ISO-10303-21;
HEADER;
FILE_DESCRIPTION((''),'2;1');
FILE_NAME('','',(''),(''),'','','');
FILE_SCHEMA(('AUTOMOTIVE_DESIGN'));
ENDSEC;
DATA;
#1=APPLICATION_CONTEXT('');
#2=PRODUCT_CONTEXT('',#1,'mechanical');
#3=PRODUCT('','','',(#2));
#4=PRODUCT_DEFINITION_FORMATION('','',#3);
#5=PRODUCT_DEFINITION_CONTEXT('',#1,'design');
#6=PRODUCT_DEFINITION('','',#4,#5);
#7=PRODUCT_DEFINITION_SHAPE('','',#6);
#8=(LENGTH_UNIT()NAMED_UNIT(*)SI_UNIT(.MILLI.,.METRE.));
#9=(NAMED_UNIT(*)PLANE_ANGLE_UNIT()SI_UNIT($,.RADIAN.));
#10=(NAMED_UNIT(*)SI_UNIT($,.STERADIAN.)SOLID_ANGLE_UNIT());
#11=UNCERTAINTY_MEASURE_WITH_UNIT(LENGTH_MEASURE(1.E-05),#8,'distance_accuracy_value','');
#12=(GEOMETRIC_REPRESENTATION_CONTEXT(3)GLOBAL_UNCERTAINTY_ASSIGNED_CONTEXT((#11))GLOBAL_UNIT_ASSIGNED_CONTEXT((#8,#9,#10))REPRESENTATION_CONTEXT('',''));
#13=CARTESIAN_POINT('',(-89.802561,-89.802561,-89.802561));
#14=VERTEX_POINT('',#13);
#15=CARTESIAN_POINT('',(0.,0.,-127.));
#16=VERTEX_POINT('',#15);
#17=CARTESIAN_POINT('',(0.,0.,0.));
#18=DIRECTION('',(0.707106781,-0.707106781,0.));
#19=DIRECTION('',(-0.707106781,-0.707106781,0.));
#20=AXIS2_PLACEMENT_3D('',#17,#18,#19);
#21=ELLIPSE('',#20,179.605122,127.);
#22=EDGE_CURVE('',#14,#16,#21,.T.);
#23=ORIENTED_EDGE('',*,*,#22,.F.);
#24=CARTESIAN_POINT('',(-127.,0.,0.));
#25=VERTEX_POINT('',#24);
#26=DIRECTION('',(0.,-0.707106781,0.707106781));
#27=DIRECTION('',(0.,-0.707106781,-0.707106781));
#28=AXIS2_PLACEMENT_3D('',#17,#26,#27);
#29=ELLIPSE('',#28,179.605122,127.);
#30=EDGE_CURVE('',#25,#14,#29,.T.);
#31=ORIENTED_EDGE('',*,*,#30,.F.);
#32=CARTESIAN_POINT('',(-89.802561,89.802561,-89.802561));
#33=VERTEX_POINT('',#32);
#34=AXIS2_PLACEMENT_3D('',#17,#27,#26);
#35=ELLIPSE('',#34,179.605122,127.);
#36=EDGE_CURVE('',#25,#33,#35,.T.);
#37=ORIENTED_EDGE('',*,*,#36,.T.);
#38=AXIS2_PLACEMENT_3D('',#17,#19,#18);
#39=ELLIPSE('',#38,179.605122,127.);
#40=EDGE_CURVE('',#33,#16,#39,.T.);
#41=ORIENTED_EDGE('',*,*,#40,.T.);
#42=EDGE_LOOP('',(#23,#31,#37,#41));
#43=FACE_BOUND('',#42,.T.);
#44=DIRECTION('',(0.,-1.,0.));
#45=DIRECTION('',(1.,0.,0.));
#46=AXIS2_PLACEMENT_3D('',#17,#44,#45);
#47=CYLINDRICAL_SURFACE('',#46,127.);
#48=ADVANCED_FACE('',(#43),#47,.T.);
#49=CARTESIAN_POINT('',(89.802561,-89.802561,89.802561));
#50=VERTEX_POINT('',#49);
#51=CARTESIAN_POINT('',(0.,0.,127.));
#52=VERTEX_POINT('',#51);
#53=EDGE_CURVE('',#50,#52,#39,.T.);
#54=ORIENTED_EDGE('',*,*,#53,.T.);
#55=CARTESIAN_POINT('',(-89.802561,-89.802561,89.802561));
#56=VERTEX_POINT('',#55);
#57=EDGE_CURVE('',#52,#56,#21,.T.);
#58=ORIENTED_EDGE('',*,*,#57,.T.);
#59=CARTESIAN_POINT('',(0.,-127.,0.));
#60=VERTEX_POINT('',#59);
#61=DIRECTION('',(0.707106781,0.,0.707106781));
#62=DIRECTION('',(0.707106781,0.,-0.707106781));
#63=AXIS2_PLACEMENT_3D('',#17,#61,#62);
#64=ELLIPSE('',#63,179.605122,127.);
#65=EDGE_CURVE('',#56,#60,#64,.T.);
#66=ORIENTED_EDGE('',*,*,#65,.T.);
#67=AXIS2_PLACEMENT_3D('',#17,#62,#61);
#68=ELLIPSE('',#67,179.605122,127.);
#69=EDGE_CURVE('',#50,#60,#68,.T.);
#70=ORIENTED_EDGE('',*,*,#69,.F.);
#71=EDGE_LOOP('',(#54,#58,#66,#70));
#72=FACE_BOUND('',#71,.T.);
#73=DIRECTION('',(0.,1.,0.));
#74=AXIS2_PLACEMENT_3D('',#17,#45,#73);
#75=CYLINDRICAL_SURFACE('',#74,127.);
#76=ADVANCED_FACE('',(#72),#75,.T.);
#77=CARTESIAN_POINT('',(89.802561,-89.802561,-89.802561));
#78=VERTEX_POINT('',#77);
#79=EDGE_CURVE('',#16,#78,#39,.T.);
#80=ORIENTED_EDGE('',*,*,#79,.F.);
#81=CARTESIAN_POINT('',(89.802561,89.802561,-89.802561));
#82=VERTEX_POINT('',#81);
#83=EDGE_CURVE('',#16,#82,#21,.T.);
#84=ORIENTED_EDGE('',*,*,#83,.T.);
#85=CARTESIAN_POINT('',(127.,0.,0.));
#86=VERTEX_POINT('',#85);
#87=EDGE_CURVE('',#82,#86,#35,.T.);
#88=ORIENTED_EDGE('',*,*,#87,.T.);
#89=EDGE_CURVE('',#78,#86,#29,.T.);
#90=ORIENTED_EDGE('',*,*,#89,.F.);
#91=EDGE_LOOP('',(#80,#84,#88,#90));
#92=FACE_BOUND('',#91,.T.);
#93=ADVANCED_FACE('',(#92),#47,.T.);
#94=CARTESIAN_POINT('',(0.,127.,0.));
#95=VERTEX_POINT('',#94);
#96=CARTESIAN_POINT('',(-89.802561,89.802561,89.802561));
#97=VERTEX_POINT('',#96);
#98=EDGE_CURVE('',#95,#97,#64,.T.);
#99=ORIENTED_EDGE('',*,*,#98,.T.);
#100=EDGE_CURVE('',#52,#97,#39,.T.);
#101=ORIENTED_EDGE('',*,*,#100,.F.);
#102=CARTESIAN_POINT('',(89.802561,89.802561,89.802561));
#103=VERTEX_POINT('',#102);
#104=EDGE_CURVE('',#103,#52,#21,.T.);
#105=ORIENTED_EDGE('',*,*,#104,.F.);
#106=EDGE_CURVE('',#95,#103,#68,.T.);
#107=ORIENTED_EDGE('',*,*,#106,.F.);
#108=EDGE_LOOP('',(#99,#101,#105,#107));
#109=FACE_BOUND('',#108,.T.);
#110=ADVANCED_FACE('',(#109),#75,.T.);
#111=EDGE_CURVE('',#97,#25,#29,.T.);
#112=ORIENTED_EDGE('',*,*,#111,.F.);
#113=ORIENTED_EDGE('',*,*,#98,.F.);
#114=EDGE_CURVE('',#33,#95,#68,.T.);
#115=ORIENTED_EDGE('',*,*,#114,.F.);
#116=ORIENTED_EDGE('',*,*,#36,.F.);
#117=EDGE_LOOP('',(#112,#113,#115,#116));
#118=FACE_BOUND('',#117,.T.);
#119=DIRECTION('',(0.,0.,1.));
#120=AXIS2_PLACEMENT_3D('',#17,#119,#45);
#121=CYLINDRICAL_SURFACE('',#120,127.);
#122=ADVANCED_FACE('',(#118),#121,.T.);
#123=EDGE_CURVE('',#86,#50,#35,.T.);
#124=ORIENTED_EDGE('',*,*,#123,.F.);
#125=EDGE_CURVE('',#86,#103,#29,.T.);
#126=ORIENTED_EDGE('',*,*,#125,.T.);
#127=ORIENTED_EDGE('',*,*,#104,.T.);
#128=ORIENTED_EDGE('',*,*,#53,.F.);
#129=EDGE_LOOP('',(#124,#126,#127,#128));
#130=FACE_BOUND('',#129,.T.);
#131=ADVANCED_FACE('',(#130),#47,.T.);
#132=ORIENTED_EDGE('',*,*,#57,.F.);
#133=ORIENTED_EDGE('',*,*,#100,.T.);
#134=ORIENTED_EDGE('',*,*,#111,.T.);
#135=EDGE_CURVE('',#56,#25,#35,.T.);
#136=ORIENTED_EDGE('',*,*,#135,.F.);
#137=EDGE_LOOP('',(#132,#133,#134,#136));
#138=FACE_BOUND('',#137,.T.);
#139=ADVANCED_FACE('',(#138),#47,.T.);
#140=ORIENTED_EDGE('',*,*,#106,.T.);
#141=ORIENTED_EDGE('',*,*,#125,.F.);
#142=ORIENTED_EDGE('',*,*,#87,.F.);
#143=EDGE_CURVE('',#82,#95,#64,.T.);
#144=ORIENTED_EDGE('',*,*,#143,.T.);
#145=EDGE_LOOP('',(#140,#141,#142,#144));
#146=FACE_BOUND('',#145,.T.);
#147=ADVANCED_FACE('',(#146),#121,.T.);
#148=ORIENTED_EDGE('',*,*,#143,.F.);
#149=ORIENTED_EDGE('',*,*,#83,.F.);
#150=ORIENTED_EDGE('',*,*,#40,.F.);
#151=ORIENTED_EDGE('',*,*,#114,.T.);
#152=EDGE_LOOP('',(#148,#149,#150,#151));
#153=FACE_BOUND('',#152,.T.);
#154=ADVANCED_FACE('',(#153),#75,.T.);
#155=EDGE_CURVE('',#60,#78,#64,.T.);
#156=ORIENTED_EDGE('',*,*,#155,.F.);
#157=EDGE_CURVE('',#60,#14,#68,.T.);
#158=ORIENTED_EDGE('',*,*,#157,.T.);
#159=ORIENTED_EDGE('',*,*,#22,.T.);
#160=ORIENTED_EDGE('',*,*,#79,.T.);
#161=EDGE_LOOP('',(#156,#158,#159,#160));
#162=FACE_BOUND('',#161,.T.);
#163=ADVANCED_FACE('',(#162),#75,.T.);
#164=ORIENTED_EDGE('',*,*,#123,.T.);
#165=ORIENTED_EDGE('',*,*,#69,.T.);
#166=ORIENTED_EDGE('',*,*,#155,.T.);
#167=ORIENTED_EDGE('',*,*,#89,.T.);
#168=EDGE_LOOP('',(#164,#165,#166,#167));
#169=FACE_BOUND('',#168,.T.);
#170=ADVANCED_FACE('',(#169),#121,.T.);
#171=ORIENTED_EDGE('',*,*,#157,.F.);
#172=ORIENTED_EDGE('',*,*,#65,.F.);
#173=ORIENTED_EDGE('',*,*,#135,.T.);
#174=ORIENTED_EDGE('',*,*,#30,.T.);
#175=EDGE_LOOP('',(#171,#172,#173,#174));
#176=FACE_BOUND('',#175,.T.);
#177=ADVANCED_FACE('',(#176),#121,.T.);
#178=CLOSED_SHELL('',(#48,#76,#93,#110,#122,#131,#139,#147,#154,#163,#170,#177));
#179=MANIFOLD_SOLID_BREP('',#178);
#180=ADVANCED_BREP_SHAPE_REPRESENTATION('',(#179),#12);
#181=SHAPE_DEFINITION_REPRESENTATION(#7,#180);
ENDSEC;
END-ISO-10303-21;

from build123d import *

# Parameters (mm, degrees)
F0_R     = 127
F1_DEPTH = 127
F2_R     = 127
F3_DEPTH = 127
F4_R     = 127
F5_DEPTH = 127


with BuildPart() as f1:
    # F0 (on Front) → F1 (new body, symmetric)
    with BuildSketch(Plane.XZ):
        Circle(F0_R)
    extrude(amount=F1_DEPTH, both=True)

    # F2 (on Right) → F3 (intersect, symmetric)
    with BuildSketch(Plane.YZ):
        Circle(F2_R)
    extrude(amount=F3_DEPTH, both=True, mode=Mode.INTERSECT)

    # F4 (on Top) → F5 (intersect, symmetric)
    with BuildSketch(Plane.XY):
        Circle(F4_R)
    extrude(amount=F5_DEPTH, both=True, mode=Mode.INTERSECT)


solid = f1.part
